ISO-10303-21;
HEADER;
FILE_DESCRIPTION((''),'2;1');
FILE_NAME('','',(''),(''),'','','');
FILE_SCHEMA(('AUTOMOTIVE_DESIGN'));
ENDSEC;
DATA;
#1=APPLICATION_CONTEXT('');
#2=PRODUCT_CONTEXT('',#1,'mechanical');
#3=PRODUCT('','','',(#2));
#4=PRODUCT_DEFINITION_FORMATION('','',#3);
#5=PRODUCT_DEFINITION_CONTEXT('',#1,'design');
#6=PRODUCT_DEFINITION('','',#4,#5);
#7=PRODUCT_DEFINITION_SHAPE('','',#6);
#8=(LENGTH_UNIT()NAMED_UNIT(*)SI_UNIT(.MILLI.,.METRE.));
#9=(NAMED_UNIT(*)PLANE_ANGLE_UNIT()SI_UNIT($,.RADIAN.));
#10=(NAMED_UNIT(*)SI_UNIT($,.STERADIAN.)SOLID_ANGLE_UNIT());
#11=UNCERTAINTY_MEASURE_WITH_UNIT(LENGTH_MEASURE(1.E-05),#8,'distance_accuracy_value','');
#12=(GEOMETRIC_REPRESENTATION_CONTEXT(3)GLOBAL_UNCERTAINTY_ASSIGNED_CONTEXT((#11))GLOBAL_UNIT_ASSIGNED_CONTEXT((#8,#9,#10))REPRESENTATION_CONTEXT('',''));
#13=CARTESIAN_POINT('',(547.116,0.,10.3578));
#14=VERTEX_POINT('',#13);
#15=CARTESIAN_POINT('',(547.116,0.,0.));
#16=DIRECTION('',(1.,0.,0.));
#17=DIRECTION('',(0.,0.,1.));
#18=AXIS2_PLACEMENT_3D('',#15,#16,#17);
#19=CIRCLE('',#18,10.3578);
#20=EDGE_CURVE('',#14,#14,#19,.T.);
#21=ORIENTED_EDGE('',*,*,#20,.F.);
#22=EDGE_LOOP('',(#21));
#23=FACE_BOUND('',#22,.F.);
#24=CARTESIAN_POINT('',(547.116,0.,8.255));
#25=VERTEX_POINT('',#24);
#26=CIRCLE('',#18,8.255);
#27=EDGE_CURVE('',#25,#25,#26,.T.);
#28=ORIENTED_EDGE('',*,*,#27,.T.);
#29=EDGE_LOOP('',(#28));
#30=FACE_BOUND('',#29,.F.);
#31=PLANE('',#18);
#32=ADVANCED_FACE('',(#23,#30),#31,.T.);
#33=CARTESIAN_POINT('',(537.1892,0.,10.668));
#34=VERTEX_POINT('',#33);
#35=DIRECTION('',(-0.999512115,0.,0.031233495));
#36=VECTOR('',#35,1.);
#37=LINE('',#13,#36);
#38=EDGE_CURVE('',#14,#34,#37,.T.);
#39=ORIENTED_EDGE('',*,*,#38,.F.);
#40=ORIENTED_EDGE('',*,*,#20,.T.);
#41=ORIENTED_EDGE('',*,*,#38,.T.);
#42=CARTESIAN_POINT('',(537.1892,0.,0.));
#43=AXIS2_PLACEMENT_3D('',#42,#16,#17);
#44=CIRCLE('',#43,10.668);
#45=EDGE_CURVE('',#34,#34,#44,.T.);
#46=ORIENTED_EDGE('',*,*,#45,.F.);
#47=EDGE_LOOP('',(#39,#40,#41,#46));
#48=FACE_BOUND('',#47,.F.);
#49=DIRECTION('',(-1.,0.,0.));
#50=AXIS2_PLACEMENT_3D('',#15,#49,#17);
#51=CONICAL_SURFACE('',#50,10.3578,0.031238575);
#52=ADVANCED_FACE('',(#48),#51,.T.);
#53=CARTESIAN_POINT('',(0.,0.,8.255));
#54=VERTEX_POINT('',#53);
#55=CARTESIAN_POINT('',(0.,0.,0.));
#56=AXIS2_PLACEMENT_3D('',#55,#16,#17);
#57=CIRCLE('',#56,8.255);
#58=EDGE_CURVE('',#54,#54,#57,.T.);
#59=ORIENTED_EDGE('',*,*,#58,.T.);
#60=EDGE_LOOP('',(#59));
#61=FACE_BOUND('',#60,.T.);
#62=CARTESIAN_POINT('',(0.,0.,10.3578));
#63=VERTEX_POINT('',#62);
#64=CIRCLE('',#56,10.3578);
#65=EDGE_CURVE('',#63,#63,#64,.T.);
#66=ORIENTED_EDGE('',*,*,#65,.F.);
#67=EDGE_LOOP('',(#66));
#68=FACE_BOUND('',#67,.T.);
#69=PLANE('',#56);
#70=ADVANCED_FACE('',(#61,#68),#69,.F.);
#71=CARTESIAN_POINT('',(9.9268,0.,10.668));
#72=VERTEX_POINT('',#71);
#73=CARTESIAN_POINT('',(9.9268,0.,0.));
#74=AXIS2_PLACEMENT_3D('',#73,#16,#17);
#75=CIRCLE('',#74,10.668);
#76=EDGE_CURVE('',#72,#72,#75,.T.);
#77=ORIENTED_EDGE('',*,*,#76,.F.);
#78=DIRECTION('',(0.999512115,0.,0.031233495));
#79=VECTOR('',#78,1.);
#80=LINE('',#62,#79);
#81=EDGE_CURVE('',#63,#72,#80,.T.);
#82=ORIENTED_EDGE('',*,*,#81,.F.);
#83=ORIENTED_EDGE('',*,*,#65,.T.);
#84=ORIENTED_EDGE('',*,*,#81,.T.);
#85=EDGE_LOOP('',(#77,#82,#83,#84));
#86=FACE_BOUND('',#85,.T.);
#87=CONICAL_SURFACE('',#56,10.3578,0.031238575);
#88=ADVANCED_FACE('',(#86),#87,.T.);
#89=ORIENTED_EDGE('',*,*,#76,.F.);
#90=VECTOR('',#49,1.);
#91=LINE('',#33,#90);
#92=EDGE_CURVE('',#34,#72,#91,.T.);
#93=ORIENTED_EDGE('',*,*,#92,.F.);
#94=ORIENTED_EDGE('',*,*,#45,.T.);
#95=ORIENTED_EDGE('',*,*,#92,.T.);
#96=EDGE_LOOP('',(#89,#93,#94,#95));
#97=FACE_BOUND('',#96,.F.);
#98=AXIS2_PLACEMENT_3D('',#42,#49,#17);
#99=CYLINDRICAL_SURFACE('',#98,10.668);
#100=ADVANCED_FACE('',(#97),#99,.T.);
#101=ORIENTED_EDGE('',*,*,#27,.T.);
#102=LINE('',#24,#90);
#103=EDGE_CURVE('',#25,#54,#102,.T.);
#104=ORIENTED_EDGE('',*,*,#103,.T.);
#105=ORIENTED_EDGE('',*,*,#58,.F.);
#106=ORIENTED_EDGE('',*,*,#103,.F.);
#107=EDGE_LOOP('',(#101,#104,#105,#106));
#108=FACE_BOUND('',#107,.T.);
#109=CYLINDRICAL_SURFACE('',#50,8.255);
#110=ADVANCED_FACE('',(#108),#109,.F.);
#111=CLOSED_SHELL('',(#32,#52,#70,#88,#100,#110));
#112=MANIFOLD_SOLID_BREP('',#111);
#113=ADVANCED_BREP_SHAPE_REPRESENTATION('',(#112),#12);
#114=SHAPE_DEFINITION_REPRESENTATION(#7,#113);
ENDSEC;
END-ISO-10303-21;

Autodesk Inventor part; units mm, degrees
ref_plane "YZ Plane" through (0, 0, 0) normal (1, 0, 0) x (0, 1, 0)
ref_plane "XZ Plane" through (0, 0, 0) normal (0, 1, 0) x (-1, 0, 0)
ref_plane "XY Plane" through (0, 0, 0) normal (0, 0, 1) x (1, 0, 0)
sketch "Sketch1" plane through (0, 0, 0) normal (0, 1, 0) x (-1, 0, 0)
  line L0 (0, 0) -> (-547.116, 0)
  line L1 (-547.116, 0) -> (-547.116, 8.255) construction
  line L2 (-547.116, 8.255) -> (-547.116, 10.3578)
  line L3 (-547.116, 10.3578) -> (-537.1892, 10.668)
  line L4 (-537.1892, 10.668) -> (-9.9268, 10.668)
  line L5 (-273.558, 0) -> (-273.558, 10.668) construction
  line L6 (-547.116, 8.255) -> (0, 8.255)
  line L7 (0, 0) -> (0, 8.255) construction
  line L8 (0, 8.255) -> (0, 10.3578)
  line L9 (0, 10.3578) -> (-9.9268, 10.668)
  line L10 (-533.56, 10.7814) -> (-533.56, 0) construction
  line L11 (-13.556, 10.7814) -> (-13.556, 0) construction
  line L12 (-537.1892, 10.668) -> (-533.56, 10.7814) construction
  line L13 (-537.1892, 10.668) -> (-537.1892, 0) construction
  line L14 (-9.9268, 10.668) -> (-13.556, 10.7814) construction
  line L15 (-9.9268, 10.668) -> (-9.9268, 0) construction
  dimension "d0" = 21.336
  dimension "d1" = 1.79
  dimension "d2" = 16.51
  dimension "d3" = 547.116
  dimension "d4" = 13.556
  dimension "d5" = 21.5628
revolve "Revolution1" add sketch "Sketch1" angle 360 about axis through (0, 0, 0) along (1, 0, 0)
thread "Thread1" size "1/2" designation "1/2 - 14 NPT" standard "NPT" full length
thread "Thread2" size "1/2" designation "1/2 - 14 NPT" standard "NPT" full length
equation "\"d0\" = OD"
equation "\"d2\" = ID"
equation "\"d3\" = L"
equation "\"d4\" = L2"
equation "\"d5\" = D2"
equation "\"OD\" = 21.336"
equation "\"t\" = 2.413"
equation "\"L\" = PL"
equation "\"L4\" = 19.8501"
equation "\"ID\" = 16.51"
equation "\"PL\" = 547.116"
equation "\"D2\" = 21.56282"
equation "\"L2\" = 13.55598"
equation "\"Size_Designation\" = 1.2345"
equation "\"PLmin\" = 2 * L2"
properties material "Steel, Wrought"
